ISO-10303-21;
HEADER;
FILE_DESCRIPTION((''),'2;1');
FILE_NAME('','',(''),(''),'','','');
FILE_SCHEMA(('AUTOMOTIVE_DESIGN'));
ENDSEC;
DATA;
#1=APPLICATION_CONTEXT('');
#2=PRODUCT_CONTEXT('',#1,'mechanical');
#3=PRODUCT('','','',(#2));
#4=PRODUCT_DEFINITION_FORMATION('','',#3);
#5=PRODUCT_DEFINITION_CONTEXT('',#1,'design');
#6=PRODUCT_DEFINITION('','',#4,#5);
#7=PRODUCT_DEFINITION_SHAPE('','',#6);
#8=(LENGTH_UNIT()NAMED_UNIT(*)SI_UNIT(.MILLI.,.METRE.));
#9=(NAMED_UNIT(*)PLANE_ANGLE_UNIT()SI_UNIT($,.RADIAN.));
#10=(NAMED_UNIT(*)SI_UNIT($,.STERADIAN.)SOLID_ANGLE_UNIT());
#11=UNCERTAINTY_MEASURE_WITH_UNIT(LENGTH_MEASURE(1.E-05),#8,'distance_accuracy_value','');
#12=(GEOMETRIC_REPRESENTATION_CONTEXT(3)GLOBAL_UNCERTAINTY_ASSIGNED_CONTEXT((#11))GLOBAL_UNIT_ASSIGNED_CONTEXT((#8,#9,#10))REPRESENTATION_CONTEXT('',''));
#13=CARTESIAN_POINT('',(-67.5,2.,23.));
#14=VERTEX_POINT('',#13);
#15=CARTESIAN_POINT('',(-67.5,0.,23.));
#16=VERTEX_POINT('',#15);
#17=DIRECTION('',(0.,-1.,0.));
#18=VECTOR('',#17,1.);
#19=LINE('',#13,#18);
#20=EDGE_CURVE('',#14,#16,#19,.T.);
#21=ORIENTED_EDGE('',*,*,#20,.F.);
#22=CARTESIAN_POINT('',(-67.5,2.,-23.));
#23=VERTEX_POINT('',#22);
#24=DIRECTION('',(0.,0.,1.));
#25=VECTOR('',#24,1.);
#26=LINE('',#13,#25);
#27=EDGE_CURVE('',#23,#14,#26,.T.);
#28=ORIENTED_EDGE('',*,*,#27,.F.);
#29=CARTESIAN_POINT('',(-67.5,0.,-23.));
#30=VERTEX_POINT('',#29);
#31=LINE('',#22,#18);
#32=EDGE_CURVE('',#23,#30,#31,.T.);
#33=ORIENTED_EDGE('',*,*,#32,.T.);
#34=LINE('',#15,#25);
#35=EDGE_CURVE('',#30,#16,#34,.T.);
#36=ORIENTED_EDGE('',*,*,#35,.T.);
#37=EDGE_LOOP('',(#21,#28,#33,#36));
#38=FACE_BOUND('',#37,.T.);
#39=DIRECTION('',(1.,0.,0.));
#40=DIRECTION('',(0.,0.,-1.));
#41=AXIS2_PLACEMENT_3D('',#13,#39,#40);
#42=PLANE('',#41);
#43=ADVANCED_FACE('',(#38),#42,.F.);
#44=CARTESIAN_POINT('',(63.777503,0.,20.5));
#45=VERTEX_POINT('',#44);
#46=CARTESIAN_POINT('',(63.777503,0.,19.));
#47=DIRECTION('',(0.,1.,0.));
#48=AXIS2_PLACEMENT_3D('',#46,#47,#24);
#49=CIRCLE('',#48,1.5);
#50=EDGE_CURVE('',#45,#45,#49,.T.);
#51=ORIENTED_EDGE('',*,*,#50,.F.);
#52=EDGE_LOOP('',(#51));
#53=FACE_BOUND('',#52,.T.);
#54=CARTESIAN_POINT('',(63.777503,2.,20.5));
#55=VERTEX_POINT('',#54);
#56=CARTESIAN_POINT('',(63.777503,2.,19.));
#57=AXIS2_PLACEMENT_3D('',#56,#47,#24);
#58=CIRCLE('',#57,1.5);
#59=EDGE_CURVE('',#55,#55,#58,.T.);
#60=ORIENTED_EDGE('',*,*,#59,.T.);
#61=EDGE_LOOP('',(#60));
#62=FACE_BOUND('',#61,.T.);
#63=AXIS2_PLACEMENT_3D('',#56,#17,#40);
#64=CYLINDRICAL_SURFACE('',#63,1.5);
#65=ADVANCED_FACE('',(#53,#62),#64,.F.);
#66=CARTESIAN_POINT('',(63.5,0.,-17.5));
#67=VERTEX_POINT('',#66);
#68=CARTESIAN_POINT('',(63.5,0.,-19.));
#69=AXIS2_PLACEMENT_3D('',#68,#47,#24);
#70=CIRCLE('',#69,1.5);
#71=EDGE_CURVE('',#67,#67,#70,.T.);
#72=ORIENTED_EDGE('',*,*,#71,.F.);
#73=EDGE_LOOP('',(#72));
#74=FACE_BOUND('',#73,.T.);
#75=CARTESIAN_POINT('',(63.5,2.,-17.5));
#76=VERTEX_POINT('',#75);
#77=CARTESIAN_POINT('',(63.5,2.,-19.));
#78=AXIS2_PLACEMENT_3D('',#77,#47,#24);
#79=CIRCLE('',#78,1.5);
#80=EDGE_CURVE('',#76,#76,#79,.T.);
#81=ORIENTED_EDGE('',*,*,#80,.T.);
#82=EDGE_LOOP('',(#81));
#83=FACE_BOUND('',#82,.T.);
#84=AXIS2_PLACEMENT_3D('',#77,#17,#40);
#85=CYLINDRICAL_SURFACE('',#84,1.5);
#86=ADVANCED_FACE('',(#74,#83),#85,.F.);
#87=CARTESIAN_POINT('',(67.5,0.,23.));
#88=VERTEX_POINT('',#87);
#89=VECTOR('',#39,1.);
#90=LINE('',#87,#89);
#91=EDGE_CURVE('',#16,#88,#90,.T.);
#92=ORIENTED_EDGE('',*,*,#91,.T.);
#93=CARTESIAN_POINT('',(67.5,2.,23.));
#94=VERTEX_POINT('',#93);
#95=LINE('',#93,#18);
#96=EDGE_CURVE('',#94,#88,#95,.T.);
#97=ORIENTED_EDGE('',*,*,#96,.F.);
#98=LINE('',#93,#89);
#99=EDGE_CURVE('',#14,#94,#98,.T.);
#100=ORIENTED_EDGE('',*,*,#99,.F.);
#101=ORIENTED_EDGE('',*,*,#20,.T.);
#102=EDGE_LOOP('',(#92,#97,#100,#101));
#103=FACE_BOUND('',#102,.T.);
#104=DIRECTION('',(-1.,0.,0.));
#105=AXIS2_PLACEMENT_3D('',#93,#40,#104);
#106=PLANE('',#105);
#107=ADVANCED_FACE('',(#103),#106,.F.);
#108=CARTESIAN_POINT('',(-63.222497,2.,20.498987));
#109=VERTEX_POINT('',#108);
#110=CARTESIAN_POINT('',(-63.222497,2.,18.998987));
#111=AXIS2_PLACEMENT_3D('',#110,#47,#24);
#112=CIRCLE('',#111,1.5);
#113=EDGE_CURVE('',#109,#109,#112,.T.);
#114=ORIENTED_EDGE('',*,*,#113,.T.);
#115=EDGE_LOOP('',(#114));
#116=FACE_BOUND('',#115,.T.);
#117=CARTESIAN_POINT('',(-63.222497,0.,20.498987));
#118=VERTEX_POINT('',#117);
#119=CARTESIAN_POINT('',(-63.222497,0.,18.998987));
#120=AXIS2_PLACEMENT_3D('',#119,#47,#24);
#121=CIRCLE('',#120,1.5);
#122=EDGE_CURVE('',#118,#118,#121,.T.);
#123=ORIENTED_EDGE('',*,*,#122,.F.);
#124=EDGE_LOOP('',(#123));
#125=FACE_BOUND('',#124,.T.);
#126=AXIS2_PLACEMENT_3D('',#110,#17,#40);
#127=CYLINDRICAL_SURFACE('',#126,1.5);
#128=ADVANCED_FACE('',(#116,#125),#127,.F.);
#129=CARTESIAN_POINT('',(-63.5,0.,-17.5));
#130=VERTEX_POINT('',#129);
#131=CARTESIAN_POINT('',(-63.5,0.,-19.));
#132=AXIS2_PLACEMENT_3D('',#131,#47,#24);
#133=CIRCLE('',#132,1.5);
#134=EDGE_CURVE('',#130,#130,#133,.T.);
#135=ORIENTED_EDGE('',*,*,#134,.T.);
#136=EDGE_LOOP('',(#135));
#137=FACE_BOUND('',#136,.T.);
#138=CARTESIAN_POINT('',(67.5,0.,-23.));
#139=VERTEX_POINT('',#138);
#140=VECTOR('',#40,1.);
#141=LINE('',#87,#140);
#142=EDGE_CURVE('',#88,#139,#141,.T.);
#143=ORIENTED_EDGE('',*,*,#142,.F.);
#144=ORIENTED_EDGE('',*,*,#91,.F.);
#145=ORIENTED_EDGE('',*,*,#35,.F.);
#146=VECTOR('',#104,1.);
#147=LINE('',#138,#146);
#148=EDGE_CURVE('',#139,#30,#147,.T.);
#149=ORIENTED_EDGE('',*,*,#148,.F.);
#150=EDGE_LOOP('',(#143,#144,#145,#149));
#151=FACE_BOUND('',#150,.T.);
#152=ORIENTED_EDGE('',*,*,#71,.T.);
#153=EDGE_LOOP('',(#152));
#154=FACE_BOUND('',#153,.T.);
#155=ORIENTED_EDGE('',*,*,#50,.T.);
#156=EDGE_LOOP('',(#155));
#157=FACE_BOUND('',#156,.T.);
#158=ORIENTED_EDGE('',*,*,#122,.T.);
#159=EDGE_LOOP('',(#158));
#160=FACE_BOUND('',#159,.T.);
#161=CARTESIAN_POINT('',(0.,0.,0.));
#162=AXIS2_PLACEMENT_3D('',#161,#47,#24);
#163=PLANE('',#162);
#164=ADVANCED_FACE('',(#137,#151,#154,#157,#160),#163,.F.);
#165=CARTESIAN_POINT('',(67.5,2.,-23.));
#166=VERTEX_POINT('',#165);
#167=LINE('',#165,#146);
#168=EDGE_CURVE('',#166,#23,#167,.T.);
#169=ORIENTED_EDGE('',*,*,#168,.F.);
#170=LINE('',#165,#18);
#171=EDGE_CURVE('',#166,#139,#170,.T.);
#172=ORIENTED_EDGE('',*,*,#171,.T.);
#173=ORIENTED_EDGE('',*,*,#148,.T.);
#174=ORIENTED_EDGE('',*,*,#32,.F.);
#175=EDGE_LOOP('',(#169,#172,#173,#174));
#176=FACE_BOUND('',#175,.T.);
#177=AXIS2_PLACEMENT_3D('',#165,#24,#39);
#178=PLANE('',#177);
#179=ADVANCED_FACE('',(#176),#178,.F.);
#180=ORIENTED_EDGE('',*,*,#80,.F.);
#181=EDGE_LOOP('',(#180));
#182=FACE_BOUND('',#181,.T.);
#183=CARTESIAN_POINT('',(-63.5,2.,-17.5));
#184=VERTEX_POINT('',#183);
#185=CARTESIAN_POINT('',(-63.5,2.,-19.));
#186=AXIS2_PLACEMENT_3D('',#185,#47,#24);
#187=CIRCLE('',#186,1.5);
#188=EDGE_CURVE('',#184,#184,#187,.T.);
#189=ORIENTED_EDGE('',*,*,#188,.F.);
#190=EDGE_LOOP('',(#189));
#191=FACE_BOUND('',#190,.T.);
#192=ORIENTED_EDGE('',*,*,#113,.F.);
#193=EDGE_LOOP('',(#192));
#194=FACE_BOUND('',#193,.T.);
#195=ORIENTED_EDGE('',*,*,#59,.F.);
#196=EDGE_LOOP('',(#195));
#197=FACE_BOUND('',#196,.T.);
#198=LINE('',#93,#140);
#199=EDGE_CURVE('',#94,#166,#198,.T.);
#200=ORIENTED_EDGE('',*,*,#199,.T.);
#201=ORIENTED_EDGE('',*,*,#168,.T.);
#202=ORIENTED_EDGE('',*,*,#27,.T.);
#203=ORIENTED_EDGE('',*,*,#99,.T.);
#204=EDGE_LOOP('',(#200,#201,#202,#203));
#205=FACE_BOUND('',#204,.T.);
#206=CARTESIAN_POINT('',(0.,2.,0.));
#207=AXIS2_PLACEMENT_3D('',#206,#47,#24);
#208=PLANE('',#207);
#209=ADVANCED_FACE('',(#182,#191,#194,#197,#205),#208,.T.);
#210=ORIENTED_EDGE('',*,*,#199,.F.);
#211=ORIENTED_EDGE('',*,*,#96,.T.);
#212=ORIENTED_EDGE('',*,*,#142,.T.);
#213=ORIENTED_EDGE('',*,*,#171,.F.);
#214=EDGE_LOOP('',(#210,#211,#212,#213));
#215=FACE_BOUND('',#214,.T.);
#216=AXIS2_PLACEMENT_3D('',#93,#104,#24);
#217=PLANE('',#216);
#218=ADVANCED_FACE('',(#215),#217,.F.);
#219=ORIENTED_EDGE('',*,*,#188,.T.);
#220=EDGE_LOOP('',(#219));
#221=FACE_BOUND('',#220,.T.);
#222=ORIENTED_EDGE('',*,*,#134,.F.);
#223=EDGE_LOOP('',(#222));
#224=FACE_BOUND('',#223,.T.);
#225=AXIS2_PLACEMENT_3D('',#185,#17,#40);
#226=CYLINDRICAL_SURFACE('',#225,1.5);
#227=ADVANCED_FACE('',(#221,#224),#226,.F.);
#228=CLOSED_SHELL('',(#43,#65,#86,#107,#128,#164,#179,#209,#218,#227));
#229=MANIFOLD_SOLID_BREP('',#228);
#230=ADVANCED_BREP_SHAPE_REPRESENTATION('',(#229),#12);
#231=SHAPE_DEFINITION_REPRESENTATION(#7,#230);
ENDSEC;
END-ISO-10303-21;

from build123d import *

# Parameters (mm, degrees)
SKETCH1_W           = 135
SKETCH1_H           = 46
SKETCH1_R           = 1.5
BOSS_EXTRUDE1_DEPTH = 2


with BuildPart() as part:
    # Sketch1 → Boss-Extrude1 (new body)
    with BuildSketch(Plane(origin=(0, 0, 0), x_dir=(1, 0, 0), z_dir=(0, 1, 0))):
        Rectangle(SKETCH1_W, SKETCH1_H)
        with Locations(Location((-63.5, 19, 0), (0, 0, 270))):
            Circle(SKETCH1_R, mode=Mode.SUBTRACT)
        with Locations(Location((63.5, 19, 0), (0, 0, 270))):
            Circle(SKETCH1_R, mode=Mode.SUBTRACT)
        with Locations(Location((63.777503424, -19, 0), (0, 0, 270))):
            Circle(SKETCH1_R, mode=Mode.SUBTRACT)
        with Locations(Location((-63.222496576, -18.998986721, 0), (0, 0, 270))):
            Circle(SKETCH1_R, mode=Mode.SUBTRACT)
    extrude(amount=BOSS_EXTRUDE1_DEPTH)


solid = part.part
